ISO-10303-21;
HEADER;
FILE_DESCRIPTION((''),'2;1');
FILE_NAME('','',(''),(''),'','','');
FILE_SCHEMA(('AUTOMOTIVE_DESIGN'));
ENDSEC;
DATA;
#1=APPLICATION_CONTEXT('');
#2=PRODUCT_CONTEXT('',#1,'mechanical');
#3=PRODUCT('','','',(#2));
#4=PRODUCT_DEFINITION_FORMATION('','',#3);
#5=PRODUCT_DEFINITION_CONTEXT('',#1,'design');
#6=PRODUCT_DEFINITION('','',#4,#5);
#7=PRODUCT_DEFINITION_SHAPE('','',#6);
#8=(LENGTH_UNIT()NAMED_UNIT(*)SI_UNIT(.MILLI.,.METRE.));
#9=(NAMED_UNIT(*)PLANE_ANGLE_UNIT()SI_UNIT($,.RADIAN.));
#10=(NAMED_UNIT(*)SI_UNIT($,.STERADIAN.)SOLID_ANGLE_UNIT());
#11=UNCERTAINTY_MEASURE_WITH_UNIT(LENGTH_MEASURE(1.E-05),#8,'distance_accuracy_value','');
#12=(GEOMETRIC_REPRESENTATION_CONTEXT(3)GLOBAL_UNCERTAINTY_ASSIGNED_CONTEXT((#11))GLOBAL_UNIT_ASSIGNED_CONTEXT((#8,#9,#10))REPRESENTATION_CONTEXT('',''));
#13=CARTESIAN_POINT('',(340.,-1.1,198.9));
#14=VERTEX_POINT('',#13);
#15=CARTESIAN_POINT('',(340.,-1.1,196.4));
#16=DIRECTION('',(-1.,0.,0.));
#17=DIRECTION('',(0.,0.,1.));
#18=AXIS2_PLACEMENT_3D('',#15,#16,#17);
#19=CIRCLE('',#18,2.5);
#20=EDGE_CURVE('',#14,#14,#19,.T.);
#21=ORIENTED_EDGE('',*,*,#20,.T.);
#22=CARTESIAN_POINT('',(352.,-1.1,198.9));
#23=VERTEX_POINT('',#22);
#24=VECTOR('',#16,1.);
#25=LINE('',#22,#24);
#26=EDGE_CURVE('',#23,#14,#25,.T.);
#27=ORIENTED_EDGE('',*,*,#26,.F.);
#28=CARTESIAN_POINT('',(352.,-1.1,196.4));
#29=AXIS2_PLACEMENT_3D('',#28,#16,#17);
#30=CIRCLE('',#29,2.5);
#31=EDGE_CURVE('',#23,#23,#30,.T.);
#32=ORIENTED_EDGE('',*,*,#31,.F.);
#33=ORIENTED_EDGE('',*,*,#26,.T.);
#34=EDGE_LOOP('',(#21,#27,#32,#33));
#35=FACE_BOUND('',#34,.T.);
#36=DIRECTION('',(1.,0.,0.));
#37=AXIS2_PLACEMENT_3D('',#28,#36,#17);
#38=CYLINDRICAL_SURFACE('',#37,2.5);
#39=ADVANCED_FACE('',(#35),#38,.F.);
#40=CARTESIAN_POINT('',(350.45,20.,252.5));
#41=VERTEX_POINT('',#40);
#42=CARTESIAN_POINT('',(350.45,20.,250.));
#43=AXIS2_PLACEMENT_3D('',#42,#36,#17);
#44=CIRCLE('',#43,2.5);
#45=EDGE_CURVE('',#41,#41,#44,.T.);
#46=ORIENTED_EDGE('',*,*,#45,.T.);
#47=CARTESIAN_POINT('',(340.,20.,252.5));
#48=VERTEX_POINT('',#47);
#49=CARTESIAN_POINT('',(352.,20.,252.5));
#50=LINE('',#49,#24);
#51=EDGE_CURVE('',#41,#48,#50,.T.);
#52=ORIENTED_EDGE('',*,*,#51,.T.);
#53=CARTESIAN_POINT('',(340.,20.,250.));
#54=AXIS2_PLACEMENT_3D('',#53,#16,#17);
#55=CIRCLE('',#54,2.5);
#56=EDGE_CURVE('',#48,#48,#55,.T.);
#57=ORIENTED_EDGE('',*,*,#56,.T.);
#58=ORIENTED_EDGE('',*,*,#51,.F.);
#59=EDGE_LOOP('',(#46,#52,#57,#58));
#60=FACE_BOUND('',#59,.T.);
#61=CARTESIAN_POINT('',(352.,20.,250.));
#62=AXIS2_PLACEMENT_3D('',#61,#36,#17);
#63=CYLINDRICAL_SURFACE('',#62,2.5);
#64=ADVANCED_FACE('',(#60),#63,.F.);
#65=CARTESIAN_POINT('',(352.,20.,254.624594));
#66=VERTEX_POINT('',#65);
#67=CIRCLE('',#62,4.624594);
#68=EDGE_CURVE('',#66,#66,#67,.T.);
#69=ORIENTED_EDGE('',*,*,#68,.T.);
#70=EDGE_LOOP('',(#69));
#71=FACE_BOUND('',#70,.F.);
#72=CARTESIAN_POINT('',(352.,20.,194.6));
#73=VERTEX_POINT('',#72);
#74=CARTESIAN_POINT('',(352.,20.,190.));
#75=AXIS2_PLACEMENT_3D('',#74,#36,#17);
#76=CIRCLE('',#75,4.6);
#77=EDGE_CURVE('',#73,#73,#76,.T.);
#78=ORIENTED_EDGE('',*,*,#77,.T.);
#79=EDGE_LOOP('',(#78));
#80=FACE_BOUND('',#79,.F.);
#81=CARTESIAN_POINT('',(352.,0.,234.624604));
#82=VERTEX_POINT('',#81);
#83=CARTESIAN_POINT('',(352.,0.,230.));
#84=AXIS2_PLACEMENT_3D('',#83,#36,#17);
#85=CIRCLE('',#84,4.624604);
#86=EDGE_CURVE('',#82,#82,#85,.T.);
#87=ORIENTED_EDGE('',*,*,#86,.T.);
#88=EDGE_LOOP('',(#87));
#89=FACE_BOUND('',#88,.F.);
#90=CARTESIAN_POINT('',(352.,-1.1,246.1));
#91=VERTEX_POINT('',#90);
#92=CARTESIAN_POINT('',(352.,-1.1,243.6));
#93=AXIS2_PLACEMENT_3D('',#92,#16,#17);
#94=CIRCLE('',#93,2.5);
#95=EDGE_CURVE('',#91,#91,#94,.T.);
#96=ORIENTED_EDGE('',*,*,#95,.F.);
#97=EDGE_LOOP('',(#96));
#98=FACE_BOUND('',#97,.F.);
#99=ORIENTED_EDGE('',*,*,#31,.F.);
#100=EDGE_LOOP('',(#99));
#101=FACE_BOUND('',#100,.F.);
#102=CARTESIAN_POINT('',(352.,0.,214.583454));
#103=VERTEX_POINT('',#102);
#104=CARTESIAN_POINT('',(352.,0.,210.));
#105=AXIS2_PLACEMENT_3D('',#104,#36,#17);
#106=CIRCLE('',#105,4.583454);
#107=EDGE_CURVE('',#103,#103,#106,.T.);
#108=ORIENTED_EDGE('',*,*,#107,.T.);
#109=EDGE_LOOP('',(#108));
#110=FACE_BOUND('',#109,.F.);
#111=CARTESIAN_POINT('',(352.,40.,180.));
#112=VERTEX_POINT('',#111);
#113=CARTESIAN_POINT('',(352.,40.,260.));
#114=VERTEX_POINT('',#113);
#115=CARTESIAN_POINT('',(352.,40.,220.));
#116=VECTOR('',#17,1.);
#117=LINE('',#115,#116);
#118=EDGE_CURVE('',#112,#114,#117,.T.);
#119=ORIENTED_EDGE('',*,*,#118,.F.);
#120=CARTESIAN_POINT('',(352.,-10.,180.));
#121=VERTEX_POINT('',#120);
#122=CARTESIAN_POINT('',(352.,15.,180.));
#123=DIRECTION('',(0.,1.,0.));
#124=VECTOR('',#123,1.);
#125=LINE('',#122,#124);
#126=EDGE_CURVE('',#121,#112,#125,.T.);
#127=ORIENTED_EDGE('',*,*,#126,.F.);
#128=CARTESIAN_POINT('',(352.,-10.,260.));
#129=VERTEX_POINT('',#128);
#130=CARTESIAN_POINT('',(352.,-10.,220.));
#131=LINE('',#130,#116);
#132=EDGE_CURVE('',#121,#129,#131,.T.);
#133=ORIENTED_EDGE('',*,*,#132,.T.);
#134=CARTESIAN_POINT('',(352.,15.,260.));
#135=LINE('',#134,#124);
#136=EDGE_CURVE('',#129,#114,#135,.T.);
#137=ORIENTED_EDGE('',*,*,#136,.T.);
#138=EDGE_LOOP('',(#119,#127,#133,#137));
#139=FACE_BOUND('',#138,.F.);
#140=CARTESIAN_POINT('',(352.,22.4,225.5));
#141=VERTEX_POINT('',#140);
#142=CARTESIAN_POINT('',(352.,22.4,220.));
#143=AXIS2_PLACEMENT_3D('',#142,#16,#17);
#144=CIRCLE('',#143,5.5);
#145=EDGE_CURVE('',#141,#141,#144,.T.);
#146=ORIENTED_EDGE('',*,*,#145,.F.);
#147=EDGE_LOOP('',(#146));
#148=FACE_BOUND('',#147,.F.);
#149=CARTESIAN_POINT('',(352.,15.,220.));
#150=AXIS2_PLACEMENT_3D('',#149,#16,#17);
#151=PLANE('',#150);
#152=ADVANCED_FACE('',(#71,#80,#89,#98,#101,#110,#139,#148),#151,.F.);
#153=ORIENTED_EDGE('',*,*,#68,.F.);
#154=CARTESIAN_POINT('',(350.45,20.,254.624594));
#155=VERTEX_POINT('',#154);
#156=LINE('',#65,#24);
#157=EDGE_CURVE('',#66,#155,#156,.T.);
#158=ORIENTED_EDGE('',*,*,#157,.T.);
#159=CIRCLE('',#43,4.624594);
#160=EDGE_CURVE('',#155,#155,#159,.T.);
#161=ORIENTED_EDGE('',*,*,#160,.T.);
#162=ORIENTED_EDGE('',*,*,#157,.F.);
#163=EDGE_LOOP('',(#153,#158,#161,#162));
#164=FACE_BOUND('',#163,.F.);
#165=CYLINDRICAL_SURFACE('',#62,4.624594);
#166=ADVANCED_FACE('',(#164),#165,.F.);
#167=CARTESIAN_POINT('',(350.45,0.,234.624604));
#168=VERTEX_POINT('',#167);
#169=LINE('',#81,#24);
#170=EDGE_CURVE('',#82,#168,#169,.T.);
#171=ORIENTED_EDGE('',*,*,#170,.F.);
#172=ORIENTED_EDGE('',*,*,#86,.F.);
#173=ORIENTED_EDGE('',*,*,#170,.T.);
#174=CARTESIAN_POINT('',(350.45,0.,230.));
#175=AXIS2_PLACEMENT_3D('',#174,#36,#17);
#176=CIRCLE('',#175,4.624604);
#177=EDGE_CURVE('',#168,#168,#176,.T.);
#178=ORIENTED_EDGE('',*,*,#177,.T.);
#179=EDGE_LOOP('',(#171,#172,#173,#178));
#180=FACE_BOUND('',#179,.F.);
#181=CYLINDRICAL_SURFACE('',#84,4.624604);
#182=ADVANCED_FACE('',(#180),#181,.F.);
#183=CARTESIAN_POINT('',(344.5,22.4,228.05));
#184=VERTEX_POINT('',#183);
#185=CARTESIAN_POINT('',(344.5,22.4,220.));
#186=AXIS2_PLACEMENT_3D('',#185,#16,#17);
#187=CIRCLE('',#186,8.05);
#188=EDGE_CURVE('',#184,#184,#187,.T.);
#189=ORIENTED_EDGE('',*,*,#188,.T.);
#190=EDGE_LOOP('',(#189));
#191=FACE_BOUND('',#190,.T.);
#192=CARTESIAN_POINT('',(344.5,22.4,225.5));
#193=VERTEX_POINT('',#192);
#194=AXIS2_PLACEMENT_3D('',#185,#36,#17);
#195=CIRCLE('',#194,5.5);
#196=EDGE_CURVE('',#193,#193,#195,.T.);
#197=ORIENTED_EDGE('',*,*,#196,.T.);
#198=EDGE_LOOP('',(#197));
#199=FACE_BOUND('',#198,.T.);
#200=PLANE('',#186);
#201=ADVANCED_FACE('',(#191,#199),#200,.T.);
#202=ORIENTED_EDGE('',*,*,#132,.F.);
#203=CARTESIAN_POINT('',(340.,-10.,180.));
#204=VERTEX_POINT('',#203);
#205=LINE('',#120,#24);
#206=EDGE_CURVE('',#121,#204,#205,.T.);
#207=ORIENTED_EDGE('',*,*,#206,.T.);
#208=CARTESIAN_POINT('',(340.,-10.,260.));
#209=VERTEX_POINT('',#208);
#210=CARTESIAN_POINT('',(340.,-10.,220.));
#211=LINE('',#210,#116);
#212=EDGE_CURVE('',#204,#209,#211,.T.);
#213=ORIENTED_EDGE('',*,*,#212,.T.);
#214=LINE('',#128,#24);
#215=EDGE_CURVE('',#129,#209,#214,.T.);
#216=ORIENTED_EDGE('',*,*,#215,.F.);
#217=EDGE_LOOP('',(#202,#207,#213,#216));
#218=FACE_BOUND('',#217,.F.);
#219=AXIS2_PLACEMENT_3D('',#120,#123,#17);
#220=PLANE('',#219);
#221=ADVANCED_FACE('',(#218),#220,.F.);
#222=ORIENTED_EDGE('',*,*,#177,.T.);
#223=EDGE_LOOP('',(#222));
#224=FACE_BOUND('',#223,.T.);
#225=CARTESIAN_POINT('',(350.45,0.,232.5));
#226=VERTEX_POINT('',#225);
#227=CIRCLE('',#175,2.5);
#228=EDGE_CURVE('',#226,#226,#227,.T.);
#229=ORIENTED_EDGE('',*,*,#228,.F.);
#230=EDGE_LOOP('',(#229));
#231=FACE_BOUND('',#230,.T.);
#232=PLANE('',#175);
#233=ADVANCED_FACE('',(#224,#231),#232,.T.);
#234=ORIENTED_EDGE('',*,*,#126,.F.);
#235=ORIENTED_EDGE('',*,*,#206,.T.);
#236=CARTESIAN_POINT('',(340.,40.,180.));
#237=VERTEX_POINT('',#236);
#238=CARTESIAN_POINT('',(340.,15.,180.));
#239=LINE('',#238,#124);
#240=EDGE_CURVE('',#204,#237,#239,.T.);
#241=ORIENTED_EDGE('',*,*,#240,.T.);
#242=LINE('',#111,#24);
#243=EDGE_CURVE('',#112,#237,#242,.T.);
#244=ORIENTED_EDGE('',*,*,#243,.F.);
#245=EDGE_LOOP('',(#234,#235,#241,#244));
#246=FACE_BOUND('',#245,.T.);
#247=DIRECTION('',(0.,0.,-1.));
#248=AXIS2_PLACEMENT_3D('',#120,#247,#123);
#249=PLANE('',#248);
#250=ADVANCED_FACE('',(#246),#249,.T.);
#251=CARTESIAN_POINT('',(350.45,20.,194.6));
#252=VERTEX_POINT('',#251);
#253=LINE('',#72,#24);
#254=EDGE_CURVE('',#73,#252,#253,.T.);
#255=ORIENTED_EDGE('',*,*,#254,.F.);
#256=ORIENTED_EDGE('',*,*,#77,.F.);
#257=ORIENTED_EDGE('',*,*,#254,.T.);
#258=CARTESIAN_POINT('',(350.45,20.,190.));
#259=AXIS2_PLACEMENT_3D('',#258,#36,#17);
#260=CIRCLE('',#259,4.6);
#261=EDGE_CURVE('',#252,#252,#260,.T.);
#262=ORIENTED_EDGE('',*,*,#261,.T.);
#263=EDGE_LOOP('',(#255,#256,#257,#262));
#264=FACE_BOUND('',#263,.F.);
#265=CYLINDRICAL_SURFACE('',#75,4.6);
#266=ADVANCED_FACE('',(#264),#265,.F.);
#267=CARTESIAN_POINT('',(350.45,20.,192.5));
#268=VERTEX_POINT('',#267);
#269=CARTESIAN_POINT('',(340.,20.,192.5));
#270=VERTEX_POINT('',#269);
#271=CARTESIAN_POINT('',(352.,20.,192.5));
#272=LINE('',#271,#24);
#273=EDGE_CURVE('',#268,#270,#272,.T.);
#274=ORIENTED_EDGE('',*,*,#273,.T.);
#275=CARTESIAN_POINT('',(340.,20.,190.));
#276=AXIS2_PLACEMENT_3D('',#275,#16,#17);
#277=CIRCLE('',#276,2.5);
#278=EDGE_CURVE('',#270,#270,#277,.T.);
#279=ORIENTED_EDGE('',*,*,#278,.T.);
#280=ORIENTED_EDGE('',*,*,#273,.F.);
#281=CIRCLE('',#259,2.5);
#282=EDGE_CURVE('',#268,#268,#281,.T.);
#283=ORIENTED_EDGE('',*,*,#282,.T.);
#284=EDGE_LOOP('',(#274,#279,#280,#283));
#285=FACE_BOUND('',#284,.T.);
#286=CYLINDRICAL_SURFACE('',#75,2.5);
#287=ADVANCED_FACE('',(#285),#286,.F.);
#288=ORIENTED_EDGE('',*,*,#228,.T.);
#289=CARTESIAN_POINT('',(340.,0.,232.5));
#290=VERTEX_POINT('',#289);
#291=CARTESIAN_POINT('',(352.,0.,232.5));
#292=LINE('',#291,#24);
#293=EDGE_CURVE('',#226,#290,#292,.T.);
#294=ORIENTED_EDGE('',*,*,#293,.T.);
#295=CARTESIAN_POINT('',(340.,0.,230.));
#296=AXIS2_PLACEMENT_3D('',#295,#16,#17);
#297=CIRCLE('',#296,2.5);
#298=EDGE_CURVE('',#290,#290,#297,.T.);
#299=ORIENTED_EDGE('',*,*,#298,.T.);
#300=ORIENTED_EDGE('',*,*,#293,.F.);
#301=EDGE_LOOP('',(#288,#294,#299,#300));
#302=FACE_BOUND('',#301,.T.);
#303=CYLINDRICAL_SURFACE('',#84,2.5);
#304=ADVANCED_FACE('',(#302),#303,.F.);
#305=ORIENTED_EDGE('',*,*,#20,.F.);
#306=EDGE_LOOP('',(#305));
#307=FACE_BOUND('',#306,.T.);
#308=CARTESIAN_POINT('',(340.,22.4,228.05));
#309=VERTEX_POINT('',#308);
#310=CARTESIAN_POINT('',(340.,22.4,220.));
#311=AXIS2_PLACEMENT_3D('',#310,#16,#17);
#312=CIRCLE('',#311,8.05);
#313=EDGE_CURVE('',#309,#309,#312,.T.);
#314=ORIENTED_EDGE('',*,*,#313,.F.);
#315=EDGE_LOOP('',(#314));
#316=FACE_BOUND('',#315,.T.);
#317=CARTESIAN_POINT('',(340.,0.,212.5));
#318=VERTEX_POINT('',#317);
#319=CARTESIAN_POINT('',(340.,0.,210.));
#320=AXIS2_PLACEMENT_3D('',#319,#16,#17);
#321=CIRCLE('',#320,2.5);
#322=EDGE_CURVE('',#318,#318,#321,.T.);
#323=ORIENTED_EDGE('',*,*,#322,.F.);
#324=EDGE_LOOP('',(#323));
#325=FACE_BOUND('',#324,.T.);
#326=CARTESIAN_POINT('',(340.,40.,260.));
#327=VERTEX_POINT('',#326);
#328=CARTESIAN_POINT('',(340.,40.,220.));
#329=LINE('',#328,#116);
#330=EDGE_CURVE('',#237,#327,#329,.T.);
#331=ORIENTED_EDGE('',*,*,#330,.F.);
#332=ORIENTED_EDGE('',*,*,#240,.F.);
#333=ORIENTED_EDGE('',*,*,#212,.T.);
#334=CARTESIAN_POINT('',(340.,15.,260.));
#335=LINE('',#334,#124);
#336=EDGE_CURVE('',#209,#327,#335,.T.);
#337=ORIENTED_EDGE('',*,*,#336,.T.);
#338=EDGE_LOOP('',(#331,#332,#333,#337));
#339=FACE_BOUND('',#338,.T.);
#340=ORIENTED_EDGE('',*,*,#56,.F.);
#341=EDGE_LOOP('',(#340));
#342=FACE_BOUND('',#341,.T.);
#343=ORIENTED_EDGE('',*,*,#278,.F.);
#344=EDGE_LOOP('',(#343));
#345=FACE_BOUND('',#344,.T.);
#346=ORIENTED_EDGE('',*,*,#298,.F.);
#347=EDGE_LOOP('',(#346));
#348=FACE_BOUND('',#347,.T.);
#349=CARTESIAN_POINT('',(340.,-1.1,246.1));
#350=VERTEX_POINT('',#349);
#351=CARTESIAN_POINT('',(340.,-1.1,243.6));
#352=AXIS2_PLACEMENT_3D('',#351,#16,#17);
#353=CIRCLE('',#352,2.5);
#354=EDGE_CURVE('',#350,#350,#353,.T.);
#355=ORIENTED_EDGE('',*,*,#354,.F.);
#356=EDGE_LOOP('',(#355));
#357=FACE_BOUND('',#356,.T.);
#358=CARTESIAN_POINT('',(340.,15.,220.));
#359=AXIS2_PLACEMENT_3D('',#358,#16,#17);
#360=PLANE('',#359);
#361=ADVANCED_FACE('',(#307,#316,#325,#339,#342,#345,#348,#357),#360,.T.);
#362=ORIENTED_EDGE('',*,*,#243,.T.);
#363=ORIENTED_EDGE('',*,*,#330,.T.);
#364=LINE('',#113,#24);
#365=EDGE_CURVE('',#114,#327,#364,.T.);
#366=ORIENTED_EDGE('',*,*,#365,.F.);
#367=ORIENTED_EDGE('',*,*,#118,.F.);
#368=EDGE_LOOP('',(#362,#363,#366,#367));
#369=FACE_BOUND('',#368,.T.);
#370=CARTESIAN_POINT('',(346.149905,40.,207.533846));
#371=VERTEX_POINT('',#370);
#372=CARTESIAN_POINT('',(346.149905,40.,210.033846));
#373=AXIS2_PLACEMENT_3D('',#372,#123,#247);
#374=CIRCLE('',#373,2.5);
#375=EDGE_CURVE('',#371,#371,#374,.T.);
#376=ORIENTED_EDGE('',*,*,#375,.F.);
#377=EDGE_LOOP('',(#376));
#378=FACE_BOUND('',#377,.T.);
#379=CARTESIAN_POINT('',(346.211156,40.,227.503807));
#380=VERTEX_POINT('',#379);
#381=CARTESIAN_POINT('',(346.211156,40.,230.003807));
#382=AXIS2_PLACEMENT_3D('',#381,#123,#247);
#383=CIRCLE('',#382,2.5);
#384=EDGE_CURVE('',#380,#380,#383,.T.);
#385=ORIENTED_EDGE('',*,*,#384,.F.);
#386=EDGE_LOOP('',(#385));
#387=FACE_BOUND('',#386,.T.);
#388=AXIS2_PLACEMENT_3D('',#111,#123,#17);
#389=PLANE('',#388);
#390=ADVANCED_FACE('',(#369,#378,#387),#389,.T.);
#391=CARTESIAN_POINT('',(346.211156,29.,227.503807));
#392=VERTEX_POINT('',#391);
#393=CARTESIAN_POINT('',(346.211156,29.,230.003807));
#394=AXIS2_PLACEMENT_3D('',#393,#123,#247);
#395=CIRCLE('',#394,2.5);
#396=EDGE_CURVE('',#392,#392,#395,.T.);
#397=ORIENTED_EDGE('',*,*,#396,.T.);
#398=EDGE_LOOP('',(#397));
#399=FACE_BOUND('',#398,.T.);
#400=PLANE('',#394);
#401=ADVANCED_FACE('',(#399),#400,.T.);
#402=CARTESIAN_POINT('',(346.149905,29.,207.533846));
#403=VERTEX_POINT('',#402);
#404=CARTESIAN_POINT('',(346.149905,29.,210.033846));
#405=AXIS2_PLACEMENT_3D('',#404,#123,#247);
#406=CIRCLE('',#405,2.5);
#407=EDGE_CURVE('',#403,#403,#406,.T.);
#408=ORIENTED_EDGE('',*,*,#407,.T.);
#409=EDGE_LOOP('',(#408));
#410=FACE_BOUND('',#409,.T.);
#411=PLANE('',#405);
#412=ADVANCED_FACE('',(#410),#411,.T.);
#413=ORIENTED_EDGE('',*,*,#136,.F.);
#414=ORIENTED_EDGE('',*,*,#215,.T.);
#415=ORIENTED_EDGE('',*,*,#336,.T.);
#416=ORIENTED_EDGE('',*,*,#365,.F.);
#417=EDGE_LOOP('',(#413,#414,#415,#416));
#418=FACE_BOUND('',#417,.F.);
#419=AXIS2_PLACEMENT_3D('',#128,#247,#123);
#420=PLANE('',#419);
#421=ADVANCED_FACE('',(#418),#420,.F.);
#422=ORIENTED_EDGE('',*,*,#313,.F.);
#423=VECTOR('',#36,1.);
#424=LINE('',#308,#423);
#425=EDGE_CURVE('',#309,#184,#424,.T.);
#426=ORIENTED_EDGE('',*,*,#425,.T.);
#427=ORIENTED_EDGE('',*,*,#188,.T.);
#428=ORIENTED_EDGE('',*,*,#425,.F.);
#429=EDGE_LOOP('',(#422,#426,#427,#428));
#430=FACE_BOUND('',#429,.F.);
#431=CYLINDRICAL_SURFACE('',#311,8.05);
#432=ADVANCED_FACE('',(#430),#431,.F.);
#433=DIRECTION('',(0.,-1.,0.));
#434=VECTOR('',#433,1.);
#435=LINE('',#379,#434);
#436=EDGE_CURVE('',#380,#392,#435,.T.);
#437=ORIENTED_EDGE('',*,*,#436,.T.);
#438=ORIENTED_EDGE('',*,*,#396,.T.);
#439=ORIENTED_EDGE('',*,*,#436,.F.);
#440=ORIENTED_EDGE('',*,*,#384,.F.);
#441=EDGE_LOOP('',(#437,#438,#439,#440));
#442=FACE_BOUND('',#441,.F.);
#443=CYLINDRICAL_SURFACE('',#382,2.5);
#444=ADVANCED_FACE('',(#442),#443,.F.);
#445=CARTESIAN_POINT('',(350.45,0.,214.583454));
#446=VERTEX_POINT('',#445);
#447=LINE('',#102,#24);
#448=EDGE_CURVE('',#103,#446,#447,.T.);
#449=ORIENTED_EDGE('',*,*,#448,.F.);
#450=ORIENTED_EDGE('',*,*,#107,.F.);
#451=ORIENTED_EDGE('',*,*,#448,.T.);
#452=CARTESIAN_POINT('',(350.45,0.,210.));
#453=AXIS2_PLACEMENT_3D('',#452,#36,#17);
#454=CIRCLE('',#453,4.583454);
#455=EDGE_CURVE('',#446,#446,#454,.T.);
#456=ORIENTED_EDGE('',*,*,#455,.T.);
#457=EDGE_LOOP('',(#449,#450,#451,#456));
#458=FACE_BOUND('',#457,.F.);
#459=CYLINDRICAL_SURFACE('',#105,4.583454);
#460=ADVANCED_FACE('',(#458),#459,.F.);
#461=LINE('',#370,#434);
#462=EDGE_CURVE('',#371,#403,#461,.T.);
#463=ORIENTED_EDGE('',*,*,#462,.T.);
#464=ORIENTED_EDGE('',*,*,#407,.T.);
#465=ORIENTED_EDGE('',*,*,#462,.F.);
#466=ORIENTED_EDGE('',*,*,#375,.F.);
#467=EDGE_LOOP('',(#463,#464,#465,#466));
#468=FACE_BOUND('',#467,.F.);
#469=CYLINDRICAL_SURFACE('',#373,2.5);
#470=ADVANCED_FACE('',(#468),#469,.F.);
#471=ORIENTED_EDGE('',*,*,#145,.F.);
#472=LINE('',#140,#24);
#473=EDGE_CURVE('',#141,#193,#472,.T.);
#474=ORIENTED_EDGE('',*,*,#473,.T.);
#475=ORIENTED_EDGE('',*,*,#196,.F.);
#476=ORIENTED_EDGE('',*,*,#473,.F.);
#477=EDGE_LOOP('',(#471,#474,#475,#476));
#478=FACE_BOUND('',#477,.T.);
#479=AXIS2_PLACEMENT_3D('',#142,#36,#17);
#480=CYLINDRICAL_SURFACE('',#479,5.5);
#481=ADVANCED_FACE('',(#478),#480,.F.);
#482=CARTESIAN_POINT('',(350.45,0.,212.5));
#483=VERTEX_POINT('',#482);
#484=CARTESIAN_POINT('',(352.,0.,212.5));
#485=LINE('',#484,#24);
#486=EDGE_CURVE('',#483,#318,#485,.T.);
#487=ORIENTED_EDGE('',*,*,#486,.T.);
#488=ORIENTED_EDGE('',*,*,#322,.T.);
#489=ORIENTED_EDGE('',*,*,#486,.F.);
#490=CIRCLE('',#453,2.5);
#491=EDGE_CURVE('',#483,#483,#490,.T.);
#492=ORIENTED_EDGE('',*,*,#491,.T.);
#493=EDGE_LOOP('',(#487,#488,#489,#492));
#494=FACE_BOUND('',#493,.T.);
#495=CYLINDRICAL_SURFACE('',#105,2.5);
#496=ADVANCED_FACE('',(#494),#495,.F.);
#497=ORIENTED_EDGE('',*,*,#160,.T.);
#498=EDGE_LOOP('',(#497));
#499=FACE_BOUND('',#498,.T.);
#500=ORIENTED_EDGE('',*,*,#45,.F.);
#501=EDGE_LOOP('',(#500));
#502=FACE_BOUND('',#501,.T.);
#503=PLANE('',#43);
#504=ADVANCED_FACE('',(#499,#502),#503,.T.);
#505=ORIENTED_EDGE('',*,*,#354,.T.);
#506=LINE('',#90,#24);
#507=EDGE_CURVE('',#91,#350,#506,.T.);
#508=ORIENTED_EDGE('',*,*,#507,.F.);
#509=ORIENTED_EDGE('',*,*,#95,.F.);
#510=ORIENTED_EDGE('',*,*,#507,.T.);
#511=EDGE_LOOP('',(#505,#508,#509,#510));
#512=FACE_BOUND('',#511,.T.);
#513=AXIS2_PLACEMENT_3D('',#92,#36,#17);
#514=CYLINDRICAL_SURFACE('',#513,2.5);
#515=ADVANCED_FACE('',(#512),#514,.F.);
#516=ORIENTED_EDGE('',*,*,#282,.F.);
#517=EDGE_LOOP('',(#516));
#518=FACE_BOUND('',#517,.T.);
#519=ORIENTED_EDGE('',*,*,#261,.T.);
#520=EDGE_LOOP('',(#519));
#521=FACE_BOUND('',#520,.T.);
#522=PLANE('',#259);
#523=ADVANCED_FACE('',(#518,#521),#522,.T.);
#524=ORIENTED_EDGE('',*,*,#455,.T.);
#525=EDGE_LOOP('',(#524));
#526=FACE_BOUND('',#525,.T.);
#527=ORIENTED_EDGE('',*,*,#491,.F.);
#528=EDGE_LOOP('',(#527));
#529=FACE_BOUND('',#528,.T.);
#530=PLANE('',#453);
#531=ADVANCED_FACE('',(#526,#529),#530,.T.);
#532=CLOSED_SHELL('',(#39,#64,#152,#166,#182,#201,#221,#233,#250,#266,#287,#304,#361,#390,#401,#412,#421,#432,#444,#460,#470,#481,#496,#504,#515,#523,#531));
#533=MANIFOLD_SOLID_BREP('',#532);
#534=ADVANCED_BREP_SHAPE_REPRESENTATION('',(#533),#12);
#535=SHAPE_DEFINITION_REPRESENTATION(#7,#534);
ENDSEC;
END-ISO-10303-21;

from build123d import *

# Parameters (mm, degrees)
SKETCH111_W     = 80
SKETCH111_H     = 50
SKETCH111_R     = 2.5
SKETCH111_R_2   = 5.5
PAD036_DEPTH    = 12
SKETCH112_R     = 2.5
POCKET071_DEPTH = 11
SKETCH113_R     = 8.05
POCKET072_DEPTH = 4.5
SKETCH114_R     = 4.6
SKETCH114_R_2   = 4.624594
SKETCH114_R_3   = 4.583454
SKETCH114_R_4   = 4.624604
POCKET073_DEPTH = 1.55


with BuildPart() as part:
    # Sketch111 → Pad036 (new body)
    with BuildSketch(Plane(origin=(352, -10, 180), x_dir=(0, 0, 1), z_dir=(-1, 0, 0))):
        with Locations((40, 25)):
            Rectangle(SKETCH111_W, SKETCH111_H)
        with Locations((10, 30)):
            Circle(SKETCH111_R, mode=Mode.SUBTRACT)
        with Locations((30, 10)):
            Circle(SKETCH111_R, mode=Mode.SUBTRACT)
        with Locations((16.4, 8.9)):
            Circle(SKETCH111_R, mode=Mode.SUBTRACT)
        with Locations((50, 10)):
            Circle(SKETCH111_R, mode=Mode.SUBTRACT)
        with Locations((63.6, 8.9)):
            Circle(SKETCH111_R, mode=Mode.SUBTRACT)
        with Locations((70, 30)):
            Circle(SKETCH111_R, mode=Mode.SUBTRACT)
        with Locations((40, 32.4)):
            Circle(SKETCH111_R_2, mode=Mode.SUBTRACT)
    extrude(amount=PAD036_DEPTH)

    # Sketch112 → Pocket071 (cut)
    with BuildSketch(Plane(origin=(352, 40, 180), x_dir=(0, 0, -1), z_dir=(0, 1, 0))):
        with Locations((-30.033846, 5.850095)):
            Circle(SKETCH112_R)
        with Locations((-50.003807, 5.788844)):
            Circle(SKETCH112_R)
    extrude(amount=-POCKET071_DEPTH, mode=Mode.SUBTRACT)

    # Sketch113 → Pocket072 (cut)
    with BuildSketch(Plane(origin=(340, -10, 180), x_dir=(0, 0, 1), z_dir=(-1, 0, 0))):
        with Locations((40, 32.4)):
            Circle(SKETCH113_R)
    extrude(amount=-POCKET072_DEPTH, mode=Mode.SUBTRACT)

    # Sketch114 → Pocket073 (cut)
    with BuildSketch(Plane(origin=(352, -10, 180), x_dir=(0, 0, 1), z_dir=(1, 0, 0))):
        with Locations((10, -30)):
            Circle(SKETCH114_R)
        with Locations((70, -30)):
            Circle(SKETCH114_R_2)
        with Locations((30, -10)):
            Circle(SKETCH114_R_3)
        with Locations((50, -10)):
            Circle(SKETCH114_R_4)
    extrude(amount=-POCKET073_DEPTH, mode=Mode.SUBTRACT)


solid = part.part
